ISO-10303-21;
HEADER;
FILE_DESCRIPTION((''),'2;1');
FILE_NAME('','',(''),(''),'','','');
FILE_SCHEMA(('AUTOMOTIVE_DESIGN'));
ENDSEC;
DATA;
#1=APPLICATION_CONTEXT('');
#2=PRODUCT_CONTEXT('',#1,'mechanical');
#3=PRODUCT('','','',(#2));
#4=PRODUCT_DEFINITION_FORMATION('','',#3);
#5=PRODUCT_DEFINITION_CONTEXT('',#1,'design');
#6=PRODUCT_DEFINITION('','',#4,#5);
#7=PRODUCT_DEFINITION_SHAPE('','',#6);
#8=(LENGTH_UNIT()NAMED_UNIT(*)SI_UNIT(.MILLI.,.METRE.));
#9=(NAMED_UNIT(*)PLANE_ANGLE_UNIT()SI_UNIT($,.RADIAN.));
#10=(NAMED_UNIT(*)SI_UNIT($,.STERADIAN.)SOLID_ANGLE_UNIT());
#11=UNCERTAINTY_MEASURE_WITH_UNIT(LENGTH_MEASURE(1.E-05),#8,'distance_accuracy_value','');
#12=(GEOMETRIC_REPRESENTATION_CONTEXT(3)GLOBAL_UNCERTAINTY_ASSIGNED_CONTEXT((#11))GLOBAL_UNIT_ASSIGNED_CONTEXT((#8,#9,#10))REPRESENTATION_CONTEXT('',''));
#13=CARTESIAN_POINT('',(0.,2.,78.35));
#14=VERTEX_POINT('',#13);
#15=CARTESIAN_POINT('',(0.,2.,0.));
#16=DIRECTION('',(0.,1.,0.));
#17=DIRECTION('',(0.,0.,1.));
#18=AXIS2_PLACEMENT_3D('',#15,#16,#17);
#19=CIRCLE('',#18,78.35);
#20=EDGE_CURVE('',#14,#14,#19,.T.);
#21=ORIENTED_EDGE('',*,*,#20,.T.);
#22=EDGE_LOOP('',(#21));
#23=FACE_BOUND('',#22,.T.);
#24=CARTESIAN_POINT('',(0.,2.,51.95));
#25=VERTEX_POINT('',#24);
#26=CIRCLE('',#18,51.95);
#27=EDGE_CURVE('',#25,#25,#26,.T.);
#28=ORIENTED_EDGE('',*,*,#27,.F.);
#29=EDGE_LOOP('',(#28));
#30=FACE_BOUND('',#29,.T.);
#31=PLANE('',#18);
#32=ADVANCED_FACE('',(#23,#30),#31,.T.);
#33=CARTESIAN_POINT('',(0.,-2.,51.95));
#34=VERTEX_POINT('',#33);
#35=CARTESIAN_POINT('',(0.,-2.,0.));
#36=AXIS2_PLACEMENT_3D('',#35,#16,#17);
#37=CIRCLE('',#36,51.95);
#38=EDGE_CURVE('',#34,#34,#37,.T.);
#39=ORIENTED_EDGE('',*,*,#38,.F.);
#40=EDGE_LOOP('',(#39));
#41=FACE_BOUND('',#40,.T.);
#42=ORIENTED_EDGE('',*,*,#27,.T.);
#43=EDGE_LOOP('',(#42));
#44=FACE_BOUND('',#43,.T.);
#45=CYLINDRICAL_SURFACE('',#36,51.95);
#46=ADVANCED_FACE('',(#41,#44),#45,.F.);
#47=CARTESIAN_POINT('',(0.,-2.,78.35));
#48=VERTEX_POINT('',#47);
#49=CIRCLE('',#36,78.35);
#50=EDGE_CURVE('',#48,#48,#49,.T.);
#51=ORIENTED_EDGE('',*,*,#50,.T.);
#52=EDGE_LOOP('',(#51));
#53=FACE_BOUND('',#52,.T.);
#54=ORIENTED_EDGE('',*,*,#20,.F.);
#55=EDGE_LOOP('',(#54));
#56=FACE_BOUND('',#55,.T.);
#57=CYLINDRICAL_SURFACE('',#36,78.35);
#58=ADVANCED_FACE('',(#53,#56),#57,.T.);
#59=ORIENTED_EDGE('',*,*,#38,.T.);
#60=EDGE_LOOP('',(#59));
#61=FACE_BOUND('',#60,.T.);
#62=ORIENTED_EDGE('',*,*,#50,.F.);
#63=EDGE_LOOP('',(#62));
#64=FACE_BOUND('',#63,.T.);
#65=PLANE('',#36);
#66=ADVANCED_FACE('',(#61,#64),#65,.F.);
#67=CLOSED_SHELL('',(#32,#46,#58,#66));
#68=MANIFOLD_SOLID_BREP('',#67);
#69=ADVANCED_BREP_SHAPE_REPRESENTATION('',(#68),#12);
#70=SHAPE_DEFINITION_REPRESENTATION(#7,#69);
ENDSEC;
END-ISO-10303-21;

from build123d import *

# Parameters (mm, degrees)
BOSS_EXTRUDE1_DEPTH      = 2
BOSS_EXTRUDE1_DEPTH_BACK = 2
SKETCH1_R                = 78.35
SKETCH1_R_2              = 51.95


with BuildPart() as part:
    # Sketch1 → Boss-Extrude1 (new, two sides: drawn at the far end of the back side and taken through both)
    with BuildSketch(Plane(origin=(0, 0, 0), x_dir=(1, 0, 0), z_dir=(0, 1, 0)).offset(-BOSS_EXTRUDE1_DEPTH_BACK)):
        Circle(SKETCH1_R)
        Circle(SKETCH1_R_2, mode=Mode.SUBTRACT)
    extrude(amount=BOSS_EXTRUDE1_DEPTH + BOSS_EXTRUDE1_DEPTH_BACK)


solid = part.part
